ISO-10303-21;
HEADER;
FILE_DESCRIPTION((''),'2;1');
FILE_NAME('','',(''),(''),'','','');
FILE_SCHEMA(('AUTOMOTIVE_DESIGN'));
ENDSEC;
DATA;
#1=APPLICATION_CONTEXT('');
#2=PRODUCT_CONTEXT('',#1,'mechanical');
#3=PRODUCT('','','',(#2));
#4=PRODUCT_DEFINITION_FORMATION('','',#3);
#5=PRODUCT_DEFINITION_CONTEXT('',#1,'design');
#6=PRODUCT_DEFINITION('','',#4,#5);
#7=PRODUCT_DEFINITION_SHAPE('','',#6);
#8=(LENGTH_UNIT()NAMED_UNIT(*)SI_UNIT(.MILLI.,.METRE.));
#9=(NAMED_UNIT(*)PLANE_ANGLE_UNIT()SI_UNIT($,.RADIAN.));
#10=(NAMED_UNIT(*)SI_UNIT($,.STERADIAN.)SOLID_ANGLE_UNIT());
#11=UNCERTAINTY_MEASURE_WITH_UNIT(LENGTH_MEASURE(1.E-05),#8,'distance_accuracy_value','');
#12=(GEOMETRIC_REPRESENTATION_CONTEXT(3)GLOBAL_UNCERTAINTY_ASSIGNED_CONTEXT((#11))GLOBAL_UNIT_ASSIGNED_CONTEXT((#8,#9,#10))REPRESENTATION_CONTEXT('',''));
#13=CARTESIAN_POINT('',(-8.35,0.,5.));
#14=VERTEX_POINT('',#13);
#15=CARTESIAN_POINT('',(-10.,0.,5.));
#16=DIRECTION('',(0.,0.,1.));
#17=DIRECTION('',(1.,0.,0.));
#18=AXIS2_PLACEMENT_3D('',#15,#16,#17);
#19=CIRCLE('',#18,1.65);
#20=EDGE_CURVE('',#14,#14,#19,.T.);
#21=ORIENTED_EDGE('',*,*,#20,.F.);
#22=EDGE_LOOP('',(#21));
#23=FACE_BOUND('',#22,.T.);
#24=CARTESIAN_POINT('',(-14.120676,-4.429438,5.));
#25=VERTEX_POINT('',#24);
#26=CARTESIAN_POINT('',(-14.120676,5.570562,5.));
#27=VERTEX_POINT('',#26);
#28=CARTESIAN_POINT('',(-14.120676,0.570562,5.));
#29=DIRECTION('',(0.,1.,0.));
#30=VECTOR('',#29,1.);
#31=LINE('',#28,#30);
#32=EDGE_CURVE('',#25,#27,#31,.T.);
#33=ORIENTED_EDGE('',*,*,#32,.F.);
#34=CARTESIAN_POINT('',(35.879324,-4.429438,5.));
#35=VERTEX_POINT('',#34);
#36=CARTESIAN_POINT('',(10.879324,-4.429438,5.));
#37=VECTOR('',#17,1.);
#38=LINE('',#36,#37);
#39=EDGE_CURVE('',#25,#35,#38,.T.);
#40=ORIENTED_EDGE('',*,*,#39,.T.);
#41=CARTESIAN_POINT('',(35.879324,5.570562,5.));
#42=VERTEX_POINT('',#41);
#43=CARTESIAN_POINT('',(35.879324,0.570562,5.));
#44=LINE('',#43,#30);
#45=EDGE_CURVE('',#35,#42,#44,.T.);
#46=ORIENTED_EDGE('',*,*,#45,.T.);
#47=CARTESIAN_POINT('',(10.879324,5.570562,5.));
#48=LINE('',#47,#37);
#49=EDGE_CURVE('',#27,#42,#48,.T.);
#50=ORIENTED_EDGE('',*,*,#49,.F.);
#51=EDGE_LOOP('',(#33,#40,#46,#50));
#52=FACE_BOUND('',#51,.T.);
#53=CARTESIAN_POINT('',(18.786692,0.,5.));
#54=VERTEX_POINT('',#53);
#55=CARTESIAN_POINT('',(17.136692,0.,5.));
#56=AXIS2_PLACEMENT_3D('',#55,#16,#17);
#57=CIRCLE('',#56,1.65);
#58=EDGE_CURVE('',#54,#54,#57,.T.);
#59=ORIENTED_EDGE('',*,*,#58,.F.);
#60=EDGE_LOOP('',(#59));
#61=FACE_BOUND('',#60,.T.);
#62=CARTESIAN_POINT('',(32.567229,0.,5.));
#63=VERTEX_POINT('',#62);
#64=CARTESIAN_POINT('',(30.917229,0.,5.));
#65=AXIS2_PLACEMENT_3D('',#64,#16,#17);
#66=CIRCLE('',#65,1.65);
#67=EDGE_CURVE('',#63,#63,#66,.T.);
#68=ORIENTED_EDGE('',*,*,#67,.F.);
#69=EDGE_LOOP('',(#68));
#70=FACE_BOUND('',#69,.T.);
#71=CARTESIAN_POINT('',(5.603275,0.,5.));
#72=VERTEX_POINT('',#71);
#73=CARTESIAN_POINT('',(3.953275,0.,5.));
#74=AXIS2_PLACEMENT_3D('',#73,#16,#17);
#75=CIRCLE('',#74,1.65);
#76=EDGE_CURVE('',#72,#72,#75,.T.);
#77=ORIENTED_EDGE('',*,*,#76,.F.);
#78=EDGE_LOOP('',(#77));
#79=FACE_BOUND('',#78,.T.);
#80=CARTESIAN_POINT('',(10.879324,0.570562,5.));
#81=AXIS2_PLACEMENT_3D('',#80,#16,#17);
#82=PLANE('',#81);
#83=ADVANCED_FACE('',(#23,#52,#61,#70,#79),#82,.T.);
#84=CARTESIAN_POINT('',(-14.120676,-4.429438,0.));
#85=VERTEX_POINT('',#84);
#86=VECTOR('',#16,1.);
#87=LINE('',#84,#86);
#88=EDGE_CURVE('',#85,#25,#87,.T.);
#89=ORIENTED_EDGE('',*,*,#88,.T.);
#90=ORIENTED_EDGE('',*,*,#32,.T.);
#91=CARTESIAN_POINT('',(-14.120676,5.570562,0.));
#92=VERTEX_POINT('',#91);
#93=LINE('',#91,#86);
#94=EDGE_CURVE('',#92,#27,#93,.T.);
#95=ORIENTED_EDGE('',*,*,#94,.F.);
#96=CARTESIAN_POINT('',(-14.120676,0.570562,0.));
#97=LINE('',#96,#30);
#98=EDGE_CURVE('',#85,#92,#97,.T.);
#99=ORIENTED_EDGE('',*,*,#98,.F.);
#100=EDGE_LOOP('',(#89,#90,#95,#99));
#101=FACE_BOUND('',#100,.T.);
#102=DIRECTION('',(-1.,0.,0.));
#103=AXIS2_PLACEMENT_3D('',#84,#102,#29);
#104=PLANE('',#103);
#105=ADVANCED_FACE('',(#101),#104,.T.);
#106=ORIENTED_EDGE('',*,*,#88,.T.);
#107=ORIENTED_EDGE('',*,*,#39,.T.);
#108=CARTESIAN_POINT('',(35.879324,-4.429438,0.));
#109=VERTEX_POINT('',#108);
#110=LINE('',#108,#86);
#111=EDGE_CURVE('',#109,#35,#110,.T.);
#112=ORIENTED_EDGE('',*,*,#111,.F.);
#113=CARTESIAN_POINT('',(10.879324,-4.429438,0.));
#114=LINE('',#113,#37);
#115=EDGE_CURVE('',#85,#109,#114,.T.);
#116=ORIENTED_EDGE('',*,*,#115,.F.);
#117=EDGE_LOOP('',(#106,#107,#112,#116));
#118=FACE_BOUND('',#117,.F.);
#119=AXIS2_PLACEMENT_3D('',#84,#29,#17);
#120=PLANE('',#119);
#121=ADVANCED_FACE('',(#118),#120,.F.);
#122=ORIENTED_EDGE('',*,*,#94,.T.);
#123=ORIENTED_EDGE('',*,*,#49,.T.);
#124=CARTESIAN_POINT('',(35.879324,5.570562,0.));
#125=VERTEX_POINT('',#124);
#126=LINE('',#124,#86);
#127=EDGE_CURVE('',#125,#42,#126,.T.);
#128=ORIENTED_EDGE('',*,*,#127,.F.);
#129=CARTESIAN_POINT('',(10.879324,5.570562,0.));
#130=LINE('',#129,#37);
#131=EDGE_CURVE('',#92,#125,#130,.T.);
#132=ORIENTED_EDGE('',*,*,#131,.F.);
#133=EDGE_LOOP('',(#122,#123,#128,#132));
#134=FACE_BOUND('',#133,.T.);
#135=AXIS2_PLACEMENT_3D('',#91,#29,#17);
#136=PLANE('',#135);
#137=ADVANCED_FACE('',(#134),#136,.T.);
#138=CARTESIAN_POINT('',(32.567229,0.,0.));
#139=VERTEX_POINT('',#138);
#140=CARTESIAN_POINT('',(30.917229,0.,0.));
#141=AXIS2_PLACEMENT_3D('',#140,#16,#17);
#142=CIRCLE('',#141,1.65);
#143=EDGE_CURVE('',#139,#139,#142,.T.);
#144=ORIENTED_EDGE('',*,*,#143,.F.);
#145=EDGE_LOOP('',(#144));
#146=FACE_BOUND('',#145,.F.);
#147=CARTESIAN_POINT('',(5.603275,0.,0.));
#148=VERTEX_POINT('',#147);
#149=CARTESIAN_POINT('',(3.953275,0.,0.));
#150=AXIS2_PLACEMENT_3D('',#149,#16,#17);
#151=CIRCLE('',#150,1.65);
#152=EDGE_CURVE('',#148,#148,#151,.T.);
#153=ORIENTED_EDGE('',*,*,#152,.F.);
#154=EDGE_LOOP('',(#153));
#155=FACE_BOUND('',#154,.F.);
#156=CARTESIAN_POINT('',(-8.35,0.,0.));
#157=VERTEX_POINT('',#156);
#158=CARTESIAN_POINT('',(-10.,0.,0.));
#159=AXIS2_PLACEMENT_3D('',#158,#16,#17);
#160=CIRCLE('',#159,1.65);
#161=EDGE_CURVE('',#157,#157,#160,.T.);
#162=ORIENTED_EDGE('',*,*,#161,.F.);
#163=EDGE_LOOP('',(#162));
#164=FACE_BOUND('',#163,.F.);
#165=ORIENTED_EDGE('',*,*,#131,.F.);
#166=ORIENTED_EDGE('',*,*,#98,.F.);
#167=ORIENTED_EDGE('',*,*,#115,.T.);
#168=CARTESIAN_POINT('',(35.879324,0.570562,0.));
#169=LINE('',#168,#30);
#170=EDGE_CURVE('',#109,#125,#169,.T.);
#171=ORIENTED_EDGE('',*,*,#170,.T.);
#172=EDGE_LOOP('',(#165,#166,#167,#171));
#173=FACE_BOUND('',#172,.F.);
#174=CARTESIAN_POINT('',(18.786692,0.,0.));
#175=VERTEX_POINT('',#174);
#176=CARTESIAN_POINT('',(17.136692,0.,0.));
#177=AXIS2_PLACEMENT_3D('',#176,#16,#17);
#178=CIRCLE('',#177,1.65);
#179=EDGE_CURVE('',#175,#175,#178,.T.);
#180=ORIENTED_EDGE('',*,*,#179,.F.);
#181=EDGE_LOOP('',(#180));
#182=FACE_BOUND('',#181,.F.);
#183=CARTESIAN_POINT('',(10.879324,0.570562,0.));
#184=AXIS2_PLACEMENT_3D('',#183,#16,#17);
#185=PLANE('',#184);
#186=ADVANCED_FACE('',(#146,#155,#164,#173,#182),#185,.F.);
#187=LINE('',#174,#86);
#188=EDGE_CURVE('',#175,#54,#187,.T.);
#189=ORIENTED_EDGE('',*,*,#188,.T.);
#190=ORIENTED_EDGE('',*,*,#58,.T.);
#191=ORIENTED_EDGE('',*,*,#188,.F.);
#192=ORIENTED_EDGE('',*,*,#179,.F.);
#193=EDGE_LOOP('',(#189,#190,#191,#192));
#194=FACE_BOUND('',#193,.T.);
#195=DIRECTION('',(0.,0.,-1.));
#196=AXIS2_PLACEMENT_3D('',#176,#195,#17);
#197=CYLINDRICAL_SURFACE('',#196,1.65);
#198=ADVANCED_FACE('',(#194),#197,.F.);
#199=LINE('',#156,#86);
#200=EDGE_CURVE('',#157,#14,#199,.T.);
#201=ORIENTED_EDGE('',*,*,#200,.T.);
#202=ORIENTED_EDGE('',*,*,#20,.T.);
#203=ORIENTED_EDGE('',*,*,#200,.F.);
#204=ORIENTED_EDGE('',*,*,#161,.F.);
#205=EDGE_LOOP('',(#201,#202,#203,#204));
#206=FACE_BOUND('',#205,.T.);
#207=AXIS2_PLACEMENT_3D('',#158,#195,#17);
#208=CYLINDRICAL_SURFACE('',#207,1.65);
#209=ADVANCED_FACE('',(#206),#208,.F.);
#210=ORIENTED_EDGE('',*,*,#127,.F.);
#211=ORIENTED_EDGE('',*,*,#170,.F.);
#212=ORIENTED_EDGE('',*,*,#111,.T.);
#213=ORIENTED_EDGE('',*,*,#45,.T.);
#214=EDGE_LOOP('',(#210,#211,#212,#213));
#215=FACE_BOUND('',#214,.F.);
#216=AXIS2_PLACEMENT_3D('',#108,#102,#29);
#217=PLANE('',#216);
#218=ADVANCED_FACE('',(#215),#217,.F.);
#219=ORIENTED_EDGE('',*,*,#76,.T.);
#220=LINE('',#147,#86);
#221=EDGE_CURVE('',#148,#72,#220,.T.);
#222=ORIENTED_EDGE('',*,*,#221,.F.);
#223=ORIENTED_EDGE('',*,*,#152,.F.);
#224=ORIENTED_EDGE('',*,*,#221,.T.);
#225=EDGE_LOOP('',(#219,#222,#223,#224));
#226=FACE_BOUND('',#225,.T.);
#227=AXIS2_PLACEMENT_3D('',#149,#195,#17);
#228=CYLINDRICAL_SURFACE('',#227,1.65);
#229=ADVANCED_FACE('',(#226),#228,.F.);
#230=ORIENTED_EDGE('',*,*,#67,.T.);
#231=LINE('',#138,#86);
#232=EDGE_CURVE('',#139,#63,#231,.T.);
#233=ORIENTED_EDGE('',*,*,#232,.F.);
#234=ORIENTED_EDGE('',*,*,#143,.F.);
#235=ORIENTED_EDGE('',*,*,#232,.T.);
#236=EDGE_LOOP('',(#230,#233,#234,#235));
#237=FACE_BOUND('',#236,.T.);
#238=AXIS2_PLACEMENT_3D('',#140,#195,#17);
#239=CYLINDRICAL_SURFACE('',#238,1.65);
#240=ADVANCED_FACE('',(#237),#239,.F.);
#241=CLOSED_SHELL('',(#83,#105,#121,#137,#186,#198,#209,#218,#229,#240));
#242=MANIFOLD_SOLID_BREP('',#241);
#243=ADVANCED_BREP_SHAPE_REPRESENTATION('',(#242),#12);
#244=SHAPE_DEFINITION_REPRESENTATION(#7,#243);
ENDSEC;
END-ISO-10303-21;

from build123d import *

# Parameters (mm, degrees)
SKETCH_W      = 50
SKETCH_H      = 10
SKETCH_R      = 1.65
EXTRUDE_DEPTH = 5


with BuildPart() as part:
    # Sketch → Extrude (new body)
    with BuildSketch(Plane.XY):
        with Locations((10.879324, 0.570562)):
            Rectangle(SKETCH_W, SKETCH_H)
        with Locations((3.953275, 0)):
            Circle(SKETCH_R, mode=Mode.SUBTRACT)
        with Locations((30.917229, 0)):
            Circle(SKETCH_R, mode=Mode.SUBTRACT)
        with Locations((-10, 0)):
            Circle(SKETCH_R, mode=Mode.SUBTRACT)
        with Locations((17.136692, 0)):
            Circle(SKETCH_R, mode=Mode.SUBTRACT)
    extrude(amount=EXTRUDE_DEPTH)


solid = part.part
